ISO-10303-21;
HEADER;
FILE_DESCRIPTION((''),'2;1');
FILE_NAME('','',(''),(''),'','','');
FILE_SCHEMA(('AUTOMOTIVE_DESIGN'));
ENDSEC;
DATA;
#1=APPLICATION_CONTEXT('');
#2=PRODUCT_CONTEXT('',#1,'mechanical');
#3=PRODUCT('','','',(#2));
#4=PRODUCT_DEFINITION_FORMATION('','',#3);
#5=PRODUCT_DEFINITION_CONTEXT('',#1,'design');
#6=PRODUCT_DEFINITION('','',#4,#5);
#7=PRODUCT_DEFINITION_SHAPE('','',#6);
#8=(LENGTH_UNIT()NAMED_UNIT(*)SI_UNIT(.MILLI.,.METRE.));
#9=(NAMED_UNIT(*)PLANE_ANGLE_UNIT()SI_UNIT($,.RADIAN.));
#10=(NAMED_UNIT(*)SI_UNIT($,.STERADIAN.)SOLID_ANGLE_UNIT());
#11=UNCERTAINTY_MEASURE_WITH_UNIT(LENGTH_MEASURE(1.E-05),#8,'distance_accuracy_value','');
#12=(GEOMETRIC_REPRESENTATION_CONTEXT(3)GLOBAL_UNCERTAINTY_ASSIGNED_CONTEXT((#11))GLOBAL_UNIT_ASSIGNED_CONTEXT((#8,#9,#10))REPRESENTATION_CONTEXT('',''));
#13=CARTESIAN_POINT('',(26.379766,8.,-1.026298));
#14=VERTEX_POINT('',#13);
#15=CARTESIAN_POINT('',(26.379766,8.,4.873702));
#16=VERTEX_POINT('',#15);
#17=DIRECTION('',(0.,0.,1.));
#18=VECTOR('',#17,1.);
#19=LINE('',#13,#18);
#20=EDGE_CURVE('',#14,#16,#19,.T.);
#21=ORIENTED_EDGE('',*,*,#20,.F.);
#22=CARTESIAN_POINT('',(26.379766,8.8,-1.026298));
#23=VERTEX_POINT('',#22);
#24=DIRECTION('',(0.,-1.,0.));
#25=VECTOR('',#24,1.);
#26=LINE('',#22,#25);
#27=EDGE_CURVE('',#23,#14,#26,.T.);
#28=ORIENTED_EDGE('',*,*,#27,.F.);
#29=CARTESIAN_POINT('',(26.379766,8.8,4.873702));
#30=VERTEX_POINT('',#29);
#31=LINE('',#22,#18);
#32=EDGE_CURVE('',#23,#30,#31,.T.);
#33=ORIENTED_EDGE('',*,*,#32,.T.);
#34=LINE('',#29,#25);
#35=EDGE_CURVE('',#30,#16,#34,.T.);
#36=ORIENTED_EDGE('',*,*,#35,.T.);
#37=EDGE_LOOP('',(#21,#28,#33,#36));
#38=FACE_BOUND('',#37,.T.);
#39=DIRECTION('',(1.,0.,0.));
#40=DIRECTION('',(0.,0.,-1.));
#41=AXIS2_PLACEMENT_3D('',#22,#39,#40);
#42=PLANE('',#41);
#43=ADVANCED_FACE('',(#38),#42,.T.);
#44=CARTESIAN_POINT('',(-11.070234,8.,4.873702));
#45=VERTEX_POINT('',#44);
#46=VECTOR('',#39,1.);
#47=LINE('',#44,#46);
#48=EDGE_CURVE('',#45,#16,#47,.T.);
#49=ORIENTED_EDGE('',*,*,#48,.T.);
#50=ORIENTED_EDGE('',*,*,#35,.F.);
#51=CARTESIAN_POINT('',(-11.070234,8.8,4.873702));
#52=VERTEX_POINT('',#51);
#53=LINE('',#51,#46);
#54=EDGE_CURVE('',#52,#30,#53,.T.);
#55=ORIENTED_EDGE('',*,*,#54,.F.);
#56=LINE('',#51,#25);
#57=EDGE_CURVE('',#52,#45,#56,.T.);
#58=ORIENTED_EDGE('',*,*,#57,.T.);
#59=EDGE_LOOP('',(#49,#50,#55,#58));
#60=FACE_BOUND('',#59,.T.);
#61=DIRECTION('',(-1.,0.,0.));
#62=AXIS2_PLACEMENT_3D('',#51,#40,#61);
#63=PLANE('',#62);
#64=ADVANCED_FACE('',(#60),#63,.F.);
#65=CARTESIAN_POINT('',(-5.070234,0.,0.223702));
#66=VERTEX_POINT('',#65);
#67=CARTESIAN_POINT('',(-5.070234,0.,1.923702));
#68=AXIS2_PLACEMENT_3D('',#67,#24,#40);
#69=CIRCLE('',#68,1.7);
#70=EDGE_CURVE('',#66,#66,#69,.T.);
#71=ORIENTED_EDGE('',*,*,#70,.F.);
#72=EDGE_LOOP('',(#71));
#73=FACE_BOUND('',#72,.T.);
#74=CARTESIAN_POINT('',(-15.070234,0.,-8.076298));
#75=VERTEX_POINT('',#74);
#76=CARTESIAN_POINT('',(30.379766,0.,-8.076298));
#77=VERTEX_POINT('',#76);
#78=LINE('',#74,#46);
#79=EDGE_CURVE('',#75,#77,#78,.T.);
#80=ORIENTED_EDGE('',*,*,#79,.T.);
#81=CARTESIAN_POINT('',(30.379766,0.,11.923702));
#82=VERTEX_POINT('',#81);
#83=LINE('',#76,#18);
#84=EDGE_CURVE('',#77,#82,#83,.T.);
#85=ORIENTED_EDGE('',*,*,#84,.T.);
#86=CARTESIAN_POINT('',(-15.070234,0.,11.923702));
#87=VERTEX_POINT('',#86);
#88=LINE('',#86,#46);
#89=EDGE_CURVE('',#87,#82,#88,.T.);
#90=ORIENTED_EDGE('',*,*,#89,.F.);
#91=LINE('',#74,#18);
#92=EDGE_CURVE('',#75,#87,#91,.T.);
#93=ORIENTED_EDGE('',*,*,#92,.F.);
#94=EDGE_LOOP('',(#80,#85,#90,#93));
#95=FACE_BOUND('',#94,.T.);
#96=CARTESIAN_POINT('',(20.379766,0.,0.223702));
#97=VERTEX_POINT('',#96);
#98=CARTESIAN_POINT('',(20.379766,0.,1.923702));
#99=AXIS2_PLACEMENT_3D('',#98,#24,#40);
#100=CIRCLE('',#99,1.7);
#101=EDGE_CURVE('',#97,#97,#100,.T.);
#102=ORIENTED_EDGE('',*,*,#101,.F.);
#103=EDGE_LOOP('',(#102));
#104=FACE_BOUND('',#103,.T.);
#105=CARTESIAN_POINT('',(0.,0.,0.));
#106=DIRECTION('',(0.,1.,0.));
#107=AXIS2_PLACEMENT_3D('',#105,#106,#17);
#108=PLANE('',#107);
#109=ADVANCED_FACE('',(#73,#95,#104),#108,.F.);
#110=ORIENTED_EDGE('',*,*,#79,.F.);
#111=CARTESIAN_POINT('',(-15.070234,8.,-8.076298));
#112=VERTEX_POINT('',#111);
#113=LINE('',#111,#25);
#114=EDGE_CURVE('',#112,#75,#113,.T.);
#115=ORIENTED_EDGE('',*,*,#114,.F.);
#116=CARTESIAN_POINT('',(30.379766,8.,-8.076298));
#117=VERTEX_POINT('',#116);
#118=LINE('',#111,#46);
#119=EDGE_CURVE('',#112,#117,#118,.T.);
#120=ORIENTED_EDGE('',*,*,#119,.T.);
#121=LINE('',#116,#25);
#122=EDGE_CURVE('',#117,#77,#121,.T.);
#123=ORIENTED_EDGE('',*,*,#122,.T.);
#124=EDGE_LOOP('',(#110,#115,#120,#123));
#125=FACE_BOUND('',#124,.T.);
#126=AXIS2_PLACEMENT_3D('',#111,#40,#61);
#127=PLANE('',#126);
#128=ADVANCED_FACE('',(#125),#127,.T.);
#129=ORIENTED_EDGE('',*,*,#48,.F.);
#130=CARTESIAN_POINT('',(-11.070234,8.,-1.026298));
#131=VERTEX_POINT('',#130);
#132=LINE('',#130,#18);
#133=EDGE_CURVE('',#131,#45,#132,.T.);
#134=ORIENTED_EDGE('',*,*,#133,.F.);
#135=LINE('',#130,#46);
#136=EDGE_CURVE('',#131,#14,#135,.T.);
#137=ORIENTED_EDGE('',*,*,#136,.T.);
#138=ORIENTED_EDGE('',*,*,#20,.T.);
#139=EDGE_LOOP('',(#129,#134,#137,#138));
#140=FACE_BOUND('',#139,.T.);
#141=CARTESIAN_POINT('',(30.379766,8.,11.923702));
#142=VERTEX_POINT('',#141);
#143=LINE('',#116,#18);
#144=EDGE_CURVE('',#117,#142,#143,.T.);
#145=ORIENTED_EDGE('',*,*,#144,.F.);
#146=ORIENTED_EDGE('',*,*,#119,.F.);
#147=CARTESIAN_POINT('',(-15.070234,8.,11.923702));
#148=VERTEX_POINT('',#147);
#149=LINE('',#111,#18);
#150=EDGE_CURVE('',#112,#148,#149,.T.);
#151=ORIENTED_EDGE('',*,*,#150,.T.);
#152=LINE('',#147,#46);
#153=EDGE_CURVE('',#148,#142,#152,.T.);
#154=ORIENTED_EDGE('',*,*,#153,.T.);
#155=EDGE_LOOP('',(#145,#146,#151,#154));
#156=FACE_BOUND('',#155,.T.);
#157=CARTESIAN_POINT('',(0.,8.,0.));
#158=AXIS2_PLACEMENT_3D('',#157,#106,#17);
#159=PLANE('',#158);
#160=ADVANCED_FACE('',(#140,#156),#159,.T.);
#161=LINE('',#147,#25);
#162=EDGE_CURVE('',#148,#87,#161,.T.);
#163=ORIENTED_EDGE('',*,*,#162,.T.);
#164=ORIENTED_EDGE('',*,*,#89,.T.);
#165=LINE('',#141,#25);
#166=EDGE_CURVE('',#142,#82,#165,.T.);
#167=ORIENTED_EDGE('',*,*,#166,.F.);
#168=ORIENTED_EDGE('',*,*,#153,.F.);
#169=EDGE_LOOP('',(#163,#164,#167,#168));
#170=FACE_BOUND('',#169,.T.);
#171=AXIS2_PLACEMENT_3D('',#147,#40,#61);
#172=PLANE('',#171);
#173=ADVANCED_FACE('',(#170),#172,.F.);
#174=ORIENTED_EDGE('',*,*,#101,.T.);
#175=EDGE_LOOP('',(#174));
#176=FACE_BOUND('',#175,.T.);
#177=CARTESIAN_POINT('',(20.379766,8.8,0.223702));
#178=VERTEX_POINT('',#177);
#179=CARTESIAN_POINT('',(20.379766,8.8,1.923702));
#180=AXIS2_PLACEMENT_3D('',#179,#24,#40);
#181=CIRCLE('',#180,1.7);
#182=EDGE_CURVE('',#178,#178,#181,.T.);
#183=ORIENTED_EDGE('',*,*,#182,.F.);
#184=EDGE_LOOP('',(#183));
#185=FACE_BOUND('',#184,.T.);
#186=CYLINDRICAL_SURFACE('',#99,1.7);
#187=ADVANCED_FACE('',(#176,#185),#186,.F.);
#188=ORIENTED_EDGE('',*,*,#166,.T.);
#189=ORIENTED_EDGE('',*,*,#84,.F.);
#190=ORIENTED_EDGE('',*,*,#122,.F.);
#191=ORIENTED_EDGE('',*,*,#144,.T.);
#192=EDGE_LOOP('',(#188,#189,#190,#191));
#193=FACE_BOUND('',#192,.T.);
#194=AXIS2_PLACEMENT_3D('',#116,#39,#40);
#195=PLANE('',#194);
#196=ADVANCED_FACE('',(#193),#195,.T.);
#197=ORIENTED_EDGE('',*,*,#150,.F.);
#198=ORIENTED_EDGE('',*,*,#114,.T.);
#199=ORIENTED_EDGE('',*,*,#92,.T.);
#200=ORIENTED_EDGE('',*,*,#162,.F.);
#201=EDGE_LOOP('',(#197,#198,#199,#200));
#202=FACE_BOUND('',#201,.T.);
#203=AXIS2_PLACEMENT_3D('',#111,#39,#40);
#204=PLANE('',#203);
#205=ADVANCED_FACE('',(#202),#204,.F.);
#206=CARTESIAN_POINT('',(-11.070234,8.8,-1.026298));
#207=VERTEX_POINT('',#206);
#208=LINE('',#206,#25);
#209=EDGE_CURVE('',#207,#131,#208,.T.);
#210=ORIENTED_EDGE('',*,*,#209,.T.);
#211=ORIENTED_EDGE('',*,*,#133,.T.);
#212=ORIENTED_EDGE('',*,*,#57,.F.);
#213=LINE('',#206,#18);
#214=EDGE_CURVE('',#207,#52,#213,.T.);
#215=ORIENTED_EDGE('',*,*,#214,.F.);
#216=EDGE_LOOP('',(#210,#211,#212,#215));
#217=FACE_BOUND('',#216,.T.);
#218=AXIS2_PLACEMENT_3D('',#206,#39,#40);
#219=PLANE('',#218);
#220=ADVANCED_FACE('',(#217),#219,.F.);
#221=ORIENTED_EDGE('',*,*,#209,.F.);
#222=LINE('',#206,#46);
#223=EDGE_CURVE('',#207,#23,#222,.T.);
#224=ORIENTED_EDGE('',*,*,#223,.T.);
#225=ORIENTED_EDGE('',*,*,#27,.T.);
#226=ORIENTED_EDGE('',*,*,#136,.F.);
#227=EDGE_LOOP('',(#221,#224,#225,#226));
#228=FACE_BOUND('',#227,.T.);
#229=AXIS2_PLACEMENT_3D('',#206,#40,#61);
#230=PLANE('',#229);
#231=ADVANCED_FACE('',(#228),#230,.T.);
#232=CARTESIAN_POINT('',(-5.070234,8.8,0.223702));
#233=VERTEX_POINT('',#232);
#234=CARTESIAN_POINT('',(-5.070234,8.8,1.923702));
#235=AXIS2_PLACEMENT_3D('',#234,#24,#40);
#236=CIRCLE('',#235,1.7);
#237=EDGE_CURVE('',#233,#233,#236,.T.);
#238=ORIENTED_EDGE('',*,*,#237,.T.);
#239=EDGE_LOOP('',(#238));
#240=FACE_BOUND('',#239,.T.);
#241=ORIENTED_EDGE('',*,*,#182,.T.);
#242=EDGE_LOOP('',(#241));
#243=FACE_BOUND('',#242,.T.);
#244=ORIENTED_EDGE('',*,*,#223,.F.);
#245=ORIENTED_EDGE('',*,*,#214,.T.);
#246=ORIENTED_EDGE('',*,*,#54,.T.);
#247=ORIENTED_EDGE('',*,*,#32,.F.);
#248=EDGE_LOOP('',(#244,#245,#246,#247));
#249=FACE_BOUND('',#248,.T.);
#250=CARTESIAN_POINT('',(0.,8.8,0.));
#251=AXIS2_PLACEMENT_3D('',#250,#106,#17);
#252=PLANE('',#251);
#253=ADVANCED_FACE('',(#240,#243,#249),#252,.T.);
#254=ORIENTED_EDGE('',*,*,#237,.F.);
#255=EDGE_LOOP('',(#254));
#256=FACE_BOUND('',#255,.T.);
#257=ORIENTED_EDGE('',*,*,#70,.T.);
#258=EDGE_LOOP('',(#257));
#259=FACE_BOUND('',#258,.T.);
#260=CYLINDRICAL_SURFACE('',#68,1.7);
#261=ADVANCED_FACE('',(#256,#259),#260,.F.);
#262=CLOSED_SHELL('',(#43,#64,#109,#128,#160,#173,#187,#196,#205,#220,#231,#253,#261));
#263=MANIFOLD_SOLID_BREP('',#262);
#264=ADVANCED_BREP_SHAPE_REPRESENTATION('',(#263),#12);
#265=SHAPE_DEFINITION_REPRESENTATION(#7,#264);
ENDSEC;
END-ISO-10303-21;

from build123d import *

# Parameters (mm, degrees)
SKETCH1_W            = 45.45
SKETCH1_H            = 20
BOSS_EXTRUDE1_DEPTH  = 8
SKETCH2_W            = 37.45
SKETCH2_H            = 5.9
BOSS_EXTRUDE2_DEPTH  = 0.8
M3_CLEARANCE_HOLE1_D = 3.4


with BuildPart() as part:
    # Sketch1 → Boss-Extrude1 (new body)
    with BuildSketch(Plane(origin=(0, 0, 0), x_dir=(1, 0, 0), z_dir=(0, 1, 0))):
        with Locations((7.654765617, -1.92370193)):
            Rectangle(SKETCH1_W, SKETCH1_H)
    extrude(amount=BOSS_EXTRUDE1_DEPTH)

    # Sketch2 → Boss-Extrude2 (add)
    with BuildSketch(Plane(origin=(0, 8, 0), x_dir=(1, 0, 0), z_dir=(0, 1, 0))):
        with Locations((7.654765617, -1.92370193)):
            Rectangle(SKETCH2_W, SKETCH2_H)
    extrude(amount=BOSS_EXTRUDE2_DEPTH)

    # M3 Clearance Hole1 (through all)
    with Locations(Plane(origin=(0, 0, 0), x_dir=(-1, 0, 0), z_dir=(0, -1, 0))):
        with Locations((-20.379765617, -1.92370193), (5.070234383, -1.92370193)):
            Hole(M3_CLEARANCE_HOLE1_D / 2)


solid = part.part
